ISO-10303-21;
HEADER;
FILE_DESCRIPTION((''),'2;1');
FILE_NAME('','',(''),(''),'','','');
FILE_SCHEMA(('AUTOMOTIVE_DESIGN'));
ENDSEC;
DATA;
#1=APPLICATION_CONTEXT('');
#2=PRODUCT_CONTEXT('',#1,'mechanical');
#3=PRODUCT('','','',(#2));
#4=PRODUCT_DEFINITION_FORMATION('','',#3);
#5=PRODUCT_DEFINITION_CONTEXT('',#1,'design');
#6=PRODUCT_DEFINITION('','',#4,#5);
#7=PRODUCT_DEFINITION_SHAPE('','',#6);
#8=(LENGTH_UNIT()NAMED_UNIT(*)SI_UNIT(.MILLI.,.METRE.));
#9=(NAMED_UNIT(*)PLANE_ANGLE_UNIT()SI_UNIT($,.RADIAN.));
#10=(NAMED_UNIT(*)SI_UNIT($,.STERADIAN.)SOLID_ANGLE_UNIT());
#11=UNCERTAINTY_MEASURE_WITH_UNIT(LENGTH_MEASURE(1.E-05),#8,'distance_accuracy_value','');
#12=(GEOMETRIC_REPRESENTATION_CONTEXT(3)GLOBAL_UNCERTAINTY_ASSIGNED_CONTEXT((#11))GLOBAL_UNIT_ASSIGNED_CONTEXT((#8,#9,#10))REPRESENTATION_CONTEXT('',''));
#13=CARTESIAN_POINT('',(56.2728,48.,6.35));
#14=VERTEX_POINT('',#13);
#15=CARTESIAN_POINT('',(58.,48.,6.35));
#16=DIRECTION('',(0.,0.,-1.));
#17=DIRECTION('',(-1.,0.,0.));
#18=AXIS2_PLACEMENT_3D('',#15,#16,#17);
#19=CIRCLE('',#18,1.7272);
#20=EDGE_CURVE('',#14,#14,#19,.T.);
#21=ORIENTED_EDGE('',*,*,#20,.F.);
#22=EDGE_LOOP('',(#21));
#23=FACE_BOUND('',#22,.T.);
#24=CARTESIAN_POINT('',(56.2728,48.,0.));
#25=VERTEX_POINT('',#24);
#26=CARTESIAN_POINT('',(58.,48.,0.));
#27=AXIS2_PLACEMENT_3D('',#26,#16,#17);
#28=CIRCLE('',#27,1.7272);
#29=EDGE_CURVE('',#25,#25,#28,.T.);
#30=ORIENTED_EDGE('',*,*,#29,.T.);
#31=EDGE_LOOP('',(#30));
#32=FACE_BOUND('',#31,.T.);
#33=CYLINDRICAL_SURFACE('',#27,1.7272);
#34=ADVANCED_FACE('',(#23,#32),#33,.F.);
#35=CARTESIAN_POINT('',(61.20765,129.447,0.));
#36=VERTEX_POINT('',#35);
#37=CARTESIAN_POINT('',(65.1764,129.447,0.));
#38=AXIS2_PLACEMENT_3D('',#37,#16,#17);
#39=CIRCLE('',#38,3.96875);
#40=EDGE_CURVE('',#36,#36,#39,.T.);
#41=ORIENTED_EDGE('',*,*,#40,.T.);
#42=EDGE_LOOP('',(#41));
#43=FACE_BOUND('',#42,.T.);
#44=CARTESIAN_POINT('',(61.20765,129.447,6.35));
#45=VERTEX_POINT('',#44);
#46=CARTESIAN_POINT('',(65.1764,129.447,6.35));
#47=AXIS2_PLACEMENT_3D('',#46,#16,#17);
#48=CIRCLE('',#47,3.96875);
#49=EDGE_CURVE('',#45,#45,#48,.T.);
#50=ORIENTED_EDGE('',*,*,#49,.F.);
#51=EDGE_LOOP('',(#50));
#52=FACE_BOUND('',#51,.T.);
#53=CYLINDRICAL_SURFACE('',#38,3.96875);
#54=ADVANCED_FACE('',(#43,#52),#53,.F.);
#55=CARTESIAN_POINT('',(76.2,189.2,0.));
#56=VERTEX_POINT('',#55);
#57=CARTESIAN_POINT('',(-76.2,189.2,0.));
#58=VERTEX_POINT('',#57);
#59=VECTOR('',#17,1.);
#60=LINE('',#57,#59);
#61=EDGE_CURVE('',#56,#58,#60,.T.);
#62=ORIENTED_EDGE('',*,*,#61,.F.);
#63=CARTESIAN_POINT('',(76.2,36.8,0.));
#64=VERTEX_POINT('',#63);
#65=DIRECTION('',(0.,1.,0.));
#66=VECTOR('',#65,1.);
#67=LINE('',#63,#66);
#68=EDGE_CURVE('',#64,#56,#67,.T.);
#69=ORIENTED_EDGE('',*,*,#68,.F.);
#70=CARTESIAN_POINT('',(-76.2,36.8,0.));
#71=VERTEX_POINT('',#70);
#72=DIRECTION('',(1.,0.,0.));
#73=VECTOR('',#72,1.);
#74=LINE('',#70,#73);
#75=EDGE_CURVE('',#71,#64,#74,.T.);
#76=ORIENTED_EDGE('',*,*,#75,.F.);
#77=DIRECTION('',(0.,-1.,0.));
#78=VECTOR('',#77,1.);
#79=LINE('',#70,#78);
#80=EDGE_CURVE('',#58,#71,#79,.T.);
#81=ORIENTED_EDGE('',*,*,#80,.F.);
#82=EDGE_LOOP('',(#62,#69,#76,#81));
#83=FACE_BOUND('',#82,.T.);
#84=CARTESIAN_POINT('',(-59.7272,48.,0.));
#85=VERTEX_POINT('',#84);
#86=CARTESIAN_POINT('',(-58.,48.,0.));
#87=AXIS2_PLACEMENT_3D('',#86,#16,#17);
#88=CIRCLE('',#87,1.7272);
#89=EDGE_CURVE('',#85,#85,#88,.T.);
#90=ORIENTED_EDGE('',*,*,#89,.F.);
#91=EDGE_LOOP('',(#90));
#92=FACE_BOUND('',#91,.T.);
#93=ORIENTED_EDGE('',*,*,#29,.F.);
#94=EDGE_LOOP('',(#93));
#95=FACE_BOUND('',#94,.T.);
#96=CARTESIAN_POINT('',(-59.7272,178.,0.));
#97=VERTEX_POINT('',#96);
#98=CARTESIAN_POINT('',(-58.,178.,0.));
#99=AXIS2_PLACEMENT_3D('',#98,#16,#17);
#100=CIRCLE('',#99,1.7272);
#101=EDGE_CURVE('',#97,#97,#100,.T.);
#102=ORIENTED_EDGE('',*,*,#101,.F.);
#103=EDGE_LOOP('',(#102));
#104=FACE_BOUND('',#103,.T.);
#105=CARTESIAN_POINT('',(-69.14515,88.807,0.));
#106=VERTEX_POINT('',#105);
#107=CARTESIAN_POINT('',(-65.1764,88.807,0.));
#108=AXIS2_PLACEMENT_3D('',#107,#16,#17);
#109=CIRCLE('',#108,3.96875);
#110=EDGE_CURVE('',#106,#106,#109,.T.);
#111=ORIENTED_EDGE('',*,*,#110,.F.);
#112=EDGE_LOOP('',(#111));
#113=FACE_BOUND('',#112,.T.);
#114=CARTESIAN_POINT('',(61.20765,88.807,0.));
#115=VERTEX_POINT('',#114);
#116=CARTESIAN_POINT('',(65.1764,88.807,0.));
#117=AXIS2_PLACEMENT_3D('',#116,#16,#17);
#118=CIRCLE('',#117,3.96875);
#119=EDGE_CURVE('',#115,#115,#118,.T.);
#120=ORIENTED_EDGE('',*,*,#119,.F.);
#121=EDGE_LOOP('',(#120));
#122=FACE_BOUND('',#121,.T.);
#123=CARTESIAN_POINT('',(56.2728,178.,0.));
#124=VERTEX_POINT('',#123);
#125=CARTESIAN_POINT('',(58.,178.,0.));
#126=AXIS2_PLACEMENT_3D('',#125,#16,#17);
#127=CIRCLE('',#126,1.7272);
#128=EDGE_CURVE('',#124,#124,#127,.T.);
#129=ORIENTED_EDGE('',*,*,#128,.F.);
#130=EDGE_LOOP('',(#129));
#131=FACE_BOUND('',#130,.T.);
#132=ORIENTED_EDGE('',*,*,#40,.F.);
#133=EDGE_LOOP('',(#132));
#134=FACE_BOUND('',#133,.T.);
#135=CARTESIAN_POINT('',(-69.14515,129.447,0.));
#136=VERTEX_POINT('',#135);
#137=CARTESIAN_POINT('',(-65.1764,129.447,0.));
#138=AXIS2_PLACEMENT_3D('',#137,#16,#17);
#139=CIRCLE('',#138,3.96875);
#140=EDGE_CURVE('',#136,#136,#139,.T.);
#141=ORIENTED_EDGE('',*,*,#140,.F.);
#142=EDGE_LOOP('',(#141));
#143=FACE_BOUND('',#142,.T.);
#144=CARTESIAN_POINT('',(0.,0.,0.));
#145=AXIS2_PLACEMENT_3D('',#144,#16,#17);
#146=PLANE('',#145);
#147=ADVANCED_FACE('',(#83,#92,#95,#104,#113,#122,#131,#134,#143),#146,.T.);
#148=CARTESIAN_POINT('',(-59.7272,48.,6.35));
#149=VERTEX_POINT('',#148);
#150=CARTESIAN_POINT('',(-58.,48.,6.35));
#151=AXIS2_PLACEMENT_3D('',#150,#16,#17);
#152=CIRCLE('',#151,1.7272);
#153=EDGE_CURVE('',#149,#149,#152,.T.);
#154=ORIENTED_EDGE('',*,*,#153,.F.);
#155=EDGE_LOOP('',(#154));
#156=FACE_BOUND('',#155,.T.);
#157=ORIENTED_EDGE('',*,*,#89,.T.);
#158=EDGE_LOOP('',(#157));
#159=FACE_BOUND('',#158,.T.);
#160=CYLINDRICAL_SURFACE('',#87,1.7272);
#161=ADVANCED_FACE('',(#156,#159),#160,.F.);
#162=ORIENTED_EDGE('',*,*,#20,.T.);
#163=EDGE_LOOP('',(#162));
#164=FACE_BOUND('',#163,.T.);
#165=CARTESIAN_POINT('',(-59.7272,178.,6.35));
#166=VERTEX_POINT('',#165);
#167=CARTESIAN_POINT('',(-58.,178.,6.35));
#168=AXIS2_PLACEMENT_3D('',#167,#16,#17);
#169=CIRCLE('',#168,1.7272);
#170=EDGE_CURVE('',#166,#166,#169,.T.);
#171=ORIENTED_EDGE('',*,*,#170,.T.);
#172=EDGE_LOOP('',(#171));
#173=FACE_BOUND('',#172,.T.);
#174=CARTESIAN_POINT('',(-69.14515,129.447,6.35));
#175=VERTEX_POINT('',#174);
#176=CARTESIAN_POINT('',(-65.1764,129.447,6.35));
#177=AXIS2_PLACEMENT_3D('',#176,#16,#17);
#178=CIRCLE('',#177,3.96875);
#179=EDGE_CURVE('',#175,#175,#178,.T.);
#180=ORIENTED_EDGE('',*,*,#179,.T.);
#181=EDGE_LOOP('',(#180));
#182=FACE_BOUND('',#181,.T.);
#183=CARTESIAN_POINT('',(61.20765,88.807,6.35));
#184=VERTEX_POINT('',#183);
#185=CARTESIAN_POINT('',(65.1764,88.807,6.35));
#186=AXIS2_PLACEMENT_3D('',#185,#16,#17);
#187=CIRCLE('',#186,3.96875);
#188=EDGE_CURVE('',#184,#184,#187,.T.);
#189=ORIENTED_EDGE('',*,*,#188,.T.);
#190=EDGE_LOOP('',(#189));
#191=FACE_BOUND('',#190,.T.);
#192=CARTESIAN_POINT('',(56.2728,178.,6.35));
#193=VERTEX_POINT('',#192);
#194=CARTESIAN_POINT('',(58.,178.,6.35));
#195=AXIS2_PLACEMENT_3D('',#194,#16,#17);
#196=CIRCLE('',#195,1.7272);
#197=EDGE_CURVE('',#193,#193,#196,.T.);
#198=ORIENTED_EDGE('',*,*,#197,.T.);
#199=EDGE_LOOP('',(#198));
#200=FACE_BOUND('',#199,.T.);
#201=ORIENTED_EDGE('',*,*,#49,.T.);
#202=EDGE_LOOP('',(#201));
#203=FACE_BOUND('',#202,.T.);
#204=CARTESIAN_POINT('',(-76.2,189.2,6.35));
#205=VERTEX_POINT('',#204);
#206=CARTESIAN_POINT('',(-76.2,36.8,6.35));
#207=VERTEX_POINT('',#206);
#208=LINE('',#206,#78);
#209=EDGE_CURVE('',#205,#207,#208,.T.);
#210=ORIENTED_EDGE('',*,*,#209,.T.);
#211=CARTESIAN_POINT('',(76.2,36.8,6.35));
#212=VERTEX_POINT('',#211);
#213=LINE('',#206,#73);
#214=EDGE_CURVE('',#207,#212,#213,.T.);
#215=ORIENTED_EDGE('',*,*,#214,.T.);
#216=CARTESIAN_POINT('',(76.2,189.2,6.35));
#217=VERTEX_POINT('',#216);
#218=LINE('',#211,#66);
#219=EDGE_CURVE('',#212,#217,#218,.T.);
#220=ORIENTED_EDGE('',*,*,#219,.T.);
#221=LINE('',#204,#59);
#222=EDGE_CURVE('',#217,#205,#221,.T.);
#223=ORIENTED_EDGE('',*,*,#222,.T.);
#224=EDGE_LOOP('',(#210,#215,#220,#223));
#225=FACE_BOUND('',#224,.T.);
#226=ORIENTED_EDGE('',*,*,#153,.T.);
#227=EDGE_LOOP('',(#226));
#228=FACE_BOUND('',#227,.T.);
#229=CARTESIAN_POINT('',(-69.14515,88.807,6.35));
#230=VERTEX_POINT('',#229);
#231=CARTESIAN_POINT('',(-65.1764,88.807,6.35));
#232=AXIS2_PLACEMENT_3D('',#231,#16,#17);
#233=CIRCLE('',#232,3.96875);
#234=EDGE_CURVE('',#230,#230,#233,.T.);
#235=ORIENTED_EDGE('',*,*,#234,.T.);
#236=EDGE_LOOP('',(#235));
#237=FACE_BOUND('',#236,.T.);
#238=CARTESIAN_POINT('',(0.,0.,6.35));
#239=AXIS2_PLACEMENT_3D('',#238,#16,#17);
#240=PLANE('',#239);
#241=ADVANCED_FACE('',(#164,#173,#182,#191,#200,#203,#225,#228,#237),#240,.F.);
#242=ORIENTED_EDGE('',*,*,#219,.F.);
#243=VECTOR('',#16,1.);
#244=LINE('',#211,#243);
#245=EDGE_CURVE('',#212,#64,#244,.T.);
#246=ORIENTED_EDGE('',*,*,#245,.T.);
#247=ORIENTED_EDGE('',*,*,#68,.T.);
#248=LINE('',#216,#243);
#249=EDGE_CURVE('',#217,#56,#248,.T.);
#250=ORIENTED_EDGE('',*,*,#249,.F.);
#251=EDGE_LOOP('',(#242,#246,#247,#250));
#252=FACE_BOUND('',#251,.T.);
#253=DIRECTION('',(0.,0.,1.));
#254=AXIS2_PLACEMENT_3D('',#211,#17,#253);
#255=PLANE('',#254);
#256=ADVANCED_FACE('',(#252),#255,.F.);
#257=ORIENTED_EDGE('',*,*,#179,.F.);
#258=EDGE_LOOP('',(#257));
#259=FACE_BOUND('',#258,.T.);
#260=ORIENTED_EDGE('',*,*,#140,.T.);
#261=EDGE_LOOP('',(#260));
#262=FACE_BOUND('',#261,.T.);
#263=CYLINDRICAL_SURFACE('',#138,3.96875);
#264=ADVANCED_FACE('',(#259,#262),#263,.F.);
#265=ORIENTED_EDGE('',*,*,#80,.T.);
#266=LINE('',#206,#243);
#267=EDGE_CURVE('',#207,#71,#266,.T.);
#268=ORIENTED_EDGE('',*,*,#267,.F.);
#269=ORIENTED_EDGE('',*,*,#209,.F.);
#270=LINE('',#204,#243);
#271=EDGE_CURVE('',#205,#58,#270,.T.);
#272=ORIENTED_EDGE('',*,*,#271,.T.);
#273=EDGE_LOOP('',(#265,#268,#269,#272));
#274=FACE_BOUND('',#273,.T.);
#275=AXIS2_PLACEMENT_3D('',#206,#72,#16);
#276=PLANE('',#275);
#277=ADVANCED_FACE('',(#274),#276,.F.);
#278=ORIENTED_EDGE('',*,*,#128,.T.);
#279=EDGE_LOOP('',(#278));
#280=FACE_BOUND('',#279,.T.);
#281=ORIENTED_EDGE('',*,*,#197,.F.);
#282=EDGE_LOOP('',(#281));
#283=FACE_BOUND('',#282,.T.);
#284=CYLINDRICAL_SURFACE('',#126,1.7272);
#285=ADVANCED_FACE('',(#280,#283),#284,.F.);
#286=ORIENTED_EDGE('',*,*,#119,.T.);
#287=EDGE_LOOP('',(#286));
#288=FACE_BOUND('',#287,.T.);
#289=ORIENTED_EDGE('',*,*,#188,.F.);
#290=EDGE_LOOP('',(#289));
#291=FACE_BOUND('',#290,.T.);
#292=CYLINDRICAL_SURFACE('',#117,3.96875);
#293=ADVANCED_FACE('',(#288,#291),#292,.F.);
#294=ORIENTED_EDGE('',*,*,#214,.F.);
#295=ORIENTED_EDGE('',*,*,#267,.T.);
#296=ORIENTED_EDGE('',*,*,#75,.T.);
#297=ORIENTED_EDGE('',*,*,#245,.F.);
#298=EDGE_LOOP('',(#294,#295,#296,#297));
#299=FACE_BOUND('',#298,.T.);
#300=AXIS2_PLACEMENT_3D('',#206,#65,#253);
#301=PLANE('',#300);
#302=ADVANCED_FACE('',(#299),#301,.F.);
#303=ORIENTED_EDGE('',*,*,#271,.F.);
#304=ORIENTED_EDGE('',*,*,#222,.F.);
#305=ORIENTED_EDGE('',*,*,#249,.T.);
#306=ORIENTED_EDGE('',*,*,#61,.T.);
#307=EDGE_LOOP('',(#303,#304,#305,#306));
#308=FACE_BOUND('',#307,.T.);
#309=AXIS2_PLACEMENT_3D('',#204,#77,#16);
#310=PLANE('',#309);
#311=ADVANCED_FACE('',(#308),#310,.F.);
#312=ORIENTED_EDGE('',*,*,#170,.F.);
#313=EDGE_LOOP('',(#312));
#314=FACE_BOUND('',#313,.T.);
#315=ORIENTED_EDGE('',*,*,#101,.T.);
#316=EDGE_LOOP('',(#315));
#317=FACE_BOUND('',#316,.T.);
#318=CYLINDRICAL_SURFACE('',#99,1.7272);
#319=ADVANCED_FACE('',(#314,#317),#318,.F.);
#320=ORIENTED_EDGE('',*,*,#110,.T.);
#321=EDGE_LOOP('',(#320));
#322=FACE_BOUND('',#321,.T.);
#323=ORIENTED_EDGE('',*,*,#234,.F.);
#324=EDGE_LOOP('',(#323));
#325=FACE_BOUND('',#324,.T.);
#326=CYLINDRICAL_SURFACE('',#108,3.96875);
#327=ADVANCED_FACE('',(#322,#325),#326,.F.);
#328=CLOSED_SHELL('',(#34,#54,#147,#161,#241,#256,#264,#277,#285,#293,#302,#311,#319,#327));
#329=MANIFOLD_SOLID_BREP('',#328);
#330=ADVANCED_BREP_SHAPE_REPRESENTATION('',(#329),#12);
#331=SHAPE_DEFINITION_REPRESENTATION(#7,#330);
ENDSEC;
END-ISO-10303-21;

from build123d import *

# Parameters (mm, degrees)
SKETCH1_W                          = 152.4
SKETCH1_H                          = 152.4
BOSS_EXTRUDE1_DEPTH                = 6.35
F_5_16_0_3125_DIAMETER_HOLE1_D     = 7.9375
F_5_16_0_3125_DIAMETER_HOLE1_DEPTH = 6.35
F_8_32_TAPPED_HOLE1_D              = 3.4544
F_8_32_TAPPED_HOLE1_DEPTH          = 6.35


with BuildPart() as part:
    # Sketch1 → Boss-Extrude1 (new body)
    with BuildSketch(Plane.XY):
        with Locations((0, 113)):
            Rectangle(SKETCH1_W, SKETCH1_H)
    extrude(amount=BOSS_EXTRUDE1_DEPTH)

    # 5/16 (0.3125) Diameter Hole1
    with Locations(Plane(origin=(0, 0, 0), x_dir=(-1, 0, 0), z_dir=(0, 0, -1))):
        with Locations((65.1764, 88.807), (65.1764, 129.447), (-65.1764, 129.447), (-65.1764, 88.807)):
            Hole(F_5_16_0_3125_DIAMETER_HOLE1_D / 2, depth=F_5_16_0_3125_DIAMETER_HOLE1_DEPTH)

    # #8-32 Tapped Hole1
    with Locations(Plane(origin=(0, 0, 0), x_dir=(-1, 0, 0), z_dir=(0, 0, -1))):
        with Locations((-58, 178), (58, 178), (58, 48), (-58, 48)):
            Hole(F_8_32_TAPPED_HOLE1_D / 2, depth=F_8_32_TAPPED_HOLE1_DEPTH)


solid = part.part
